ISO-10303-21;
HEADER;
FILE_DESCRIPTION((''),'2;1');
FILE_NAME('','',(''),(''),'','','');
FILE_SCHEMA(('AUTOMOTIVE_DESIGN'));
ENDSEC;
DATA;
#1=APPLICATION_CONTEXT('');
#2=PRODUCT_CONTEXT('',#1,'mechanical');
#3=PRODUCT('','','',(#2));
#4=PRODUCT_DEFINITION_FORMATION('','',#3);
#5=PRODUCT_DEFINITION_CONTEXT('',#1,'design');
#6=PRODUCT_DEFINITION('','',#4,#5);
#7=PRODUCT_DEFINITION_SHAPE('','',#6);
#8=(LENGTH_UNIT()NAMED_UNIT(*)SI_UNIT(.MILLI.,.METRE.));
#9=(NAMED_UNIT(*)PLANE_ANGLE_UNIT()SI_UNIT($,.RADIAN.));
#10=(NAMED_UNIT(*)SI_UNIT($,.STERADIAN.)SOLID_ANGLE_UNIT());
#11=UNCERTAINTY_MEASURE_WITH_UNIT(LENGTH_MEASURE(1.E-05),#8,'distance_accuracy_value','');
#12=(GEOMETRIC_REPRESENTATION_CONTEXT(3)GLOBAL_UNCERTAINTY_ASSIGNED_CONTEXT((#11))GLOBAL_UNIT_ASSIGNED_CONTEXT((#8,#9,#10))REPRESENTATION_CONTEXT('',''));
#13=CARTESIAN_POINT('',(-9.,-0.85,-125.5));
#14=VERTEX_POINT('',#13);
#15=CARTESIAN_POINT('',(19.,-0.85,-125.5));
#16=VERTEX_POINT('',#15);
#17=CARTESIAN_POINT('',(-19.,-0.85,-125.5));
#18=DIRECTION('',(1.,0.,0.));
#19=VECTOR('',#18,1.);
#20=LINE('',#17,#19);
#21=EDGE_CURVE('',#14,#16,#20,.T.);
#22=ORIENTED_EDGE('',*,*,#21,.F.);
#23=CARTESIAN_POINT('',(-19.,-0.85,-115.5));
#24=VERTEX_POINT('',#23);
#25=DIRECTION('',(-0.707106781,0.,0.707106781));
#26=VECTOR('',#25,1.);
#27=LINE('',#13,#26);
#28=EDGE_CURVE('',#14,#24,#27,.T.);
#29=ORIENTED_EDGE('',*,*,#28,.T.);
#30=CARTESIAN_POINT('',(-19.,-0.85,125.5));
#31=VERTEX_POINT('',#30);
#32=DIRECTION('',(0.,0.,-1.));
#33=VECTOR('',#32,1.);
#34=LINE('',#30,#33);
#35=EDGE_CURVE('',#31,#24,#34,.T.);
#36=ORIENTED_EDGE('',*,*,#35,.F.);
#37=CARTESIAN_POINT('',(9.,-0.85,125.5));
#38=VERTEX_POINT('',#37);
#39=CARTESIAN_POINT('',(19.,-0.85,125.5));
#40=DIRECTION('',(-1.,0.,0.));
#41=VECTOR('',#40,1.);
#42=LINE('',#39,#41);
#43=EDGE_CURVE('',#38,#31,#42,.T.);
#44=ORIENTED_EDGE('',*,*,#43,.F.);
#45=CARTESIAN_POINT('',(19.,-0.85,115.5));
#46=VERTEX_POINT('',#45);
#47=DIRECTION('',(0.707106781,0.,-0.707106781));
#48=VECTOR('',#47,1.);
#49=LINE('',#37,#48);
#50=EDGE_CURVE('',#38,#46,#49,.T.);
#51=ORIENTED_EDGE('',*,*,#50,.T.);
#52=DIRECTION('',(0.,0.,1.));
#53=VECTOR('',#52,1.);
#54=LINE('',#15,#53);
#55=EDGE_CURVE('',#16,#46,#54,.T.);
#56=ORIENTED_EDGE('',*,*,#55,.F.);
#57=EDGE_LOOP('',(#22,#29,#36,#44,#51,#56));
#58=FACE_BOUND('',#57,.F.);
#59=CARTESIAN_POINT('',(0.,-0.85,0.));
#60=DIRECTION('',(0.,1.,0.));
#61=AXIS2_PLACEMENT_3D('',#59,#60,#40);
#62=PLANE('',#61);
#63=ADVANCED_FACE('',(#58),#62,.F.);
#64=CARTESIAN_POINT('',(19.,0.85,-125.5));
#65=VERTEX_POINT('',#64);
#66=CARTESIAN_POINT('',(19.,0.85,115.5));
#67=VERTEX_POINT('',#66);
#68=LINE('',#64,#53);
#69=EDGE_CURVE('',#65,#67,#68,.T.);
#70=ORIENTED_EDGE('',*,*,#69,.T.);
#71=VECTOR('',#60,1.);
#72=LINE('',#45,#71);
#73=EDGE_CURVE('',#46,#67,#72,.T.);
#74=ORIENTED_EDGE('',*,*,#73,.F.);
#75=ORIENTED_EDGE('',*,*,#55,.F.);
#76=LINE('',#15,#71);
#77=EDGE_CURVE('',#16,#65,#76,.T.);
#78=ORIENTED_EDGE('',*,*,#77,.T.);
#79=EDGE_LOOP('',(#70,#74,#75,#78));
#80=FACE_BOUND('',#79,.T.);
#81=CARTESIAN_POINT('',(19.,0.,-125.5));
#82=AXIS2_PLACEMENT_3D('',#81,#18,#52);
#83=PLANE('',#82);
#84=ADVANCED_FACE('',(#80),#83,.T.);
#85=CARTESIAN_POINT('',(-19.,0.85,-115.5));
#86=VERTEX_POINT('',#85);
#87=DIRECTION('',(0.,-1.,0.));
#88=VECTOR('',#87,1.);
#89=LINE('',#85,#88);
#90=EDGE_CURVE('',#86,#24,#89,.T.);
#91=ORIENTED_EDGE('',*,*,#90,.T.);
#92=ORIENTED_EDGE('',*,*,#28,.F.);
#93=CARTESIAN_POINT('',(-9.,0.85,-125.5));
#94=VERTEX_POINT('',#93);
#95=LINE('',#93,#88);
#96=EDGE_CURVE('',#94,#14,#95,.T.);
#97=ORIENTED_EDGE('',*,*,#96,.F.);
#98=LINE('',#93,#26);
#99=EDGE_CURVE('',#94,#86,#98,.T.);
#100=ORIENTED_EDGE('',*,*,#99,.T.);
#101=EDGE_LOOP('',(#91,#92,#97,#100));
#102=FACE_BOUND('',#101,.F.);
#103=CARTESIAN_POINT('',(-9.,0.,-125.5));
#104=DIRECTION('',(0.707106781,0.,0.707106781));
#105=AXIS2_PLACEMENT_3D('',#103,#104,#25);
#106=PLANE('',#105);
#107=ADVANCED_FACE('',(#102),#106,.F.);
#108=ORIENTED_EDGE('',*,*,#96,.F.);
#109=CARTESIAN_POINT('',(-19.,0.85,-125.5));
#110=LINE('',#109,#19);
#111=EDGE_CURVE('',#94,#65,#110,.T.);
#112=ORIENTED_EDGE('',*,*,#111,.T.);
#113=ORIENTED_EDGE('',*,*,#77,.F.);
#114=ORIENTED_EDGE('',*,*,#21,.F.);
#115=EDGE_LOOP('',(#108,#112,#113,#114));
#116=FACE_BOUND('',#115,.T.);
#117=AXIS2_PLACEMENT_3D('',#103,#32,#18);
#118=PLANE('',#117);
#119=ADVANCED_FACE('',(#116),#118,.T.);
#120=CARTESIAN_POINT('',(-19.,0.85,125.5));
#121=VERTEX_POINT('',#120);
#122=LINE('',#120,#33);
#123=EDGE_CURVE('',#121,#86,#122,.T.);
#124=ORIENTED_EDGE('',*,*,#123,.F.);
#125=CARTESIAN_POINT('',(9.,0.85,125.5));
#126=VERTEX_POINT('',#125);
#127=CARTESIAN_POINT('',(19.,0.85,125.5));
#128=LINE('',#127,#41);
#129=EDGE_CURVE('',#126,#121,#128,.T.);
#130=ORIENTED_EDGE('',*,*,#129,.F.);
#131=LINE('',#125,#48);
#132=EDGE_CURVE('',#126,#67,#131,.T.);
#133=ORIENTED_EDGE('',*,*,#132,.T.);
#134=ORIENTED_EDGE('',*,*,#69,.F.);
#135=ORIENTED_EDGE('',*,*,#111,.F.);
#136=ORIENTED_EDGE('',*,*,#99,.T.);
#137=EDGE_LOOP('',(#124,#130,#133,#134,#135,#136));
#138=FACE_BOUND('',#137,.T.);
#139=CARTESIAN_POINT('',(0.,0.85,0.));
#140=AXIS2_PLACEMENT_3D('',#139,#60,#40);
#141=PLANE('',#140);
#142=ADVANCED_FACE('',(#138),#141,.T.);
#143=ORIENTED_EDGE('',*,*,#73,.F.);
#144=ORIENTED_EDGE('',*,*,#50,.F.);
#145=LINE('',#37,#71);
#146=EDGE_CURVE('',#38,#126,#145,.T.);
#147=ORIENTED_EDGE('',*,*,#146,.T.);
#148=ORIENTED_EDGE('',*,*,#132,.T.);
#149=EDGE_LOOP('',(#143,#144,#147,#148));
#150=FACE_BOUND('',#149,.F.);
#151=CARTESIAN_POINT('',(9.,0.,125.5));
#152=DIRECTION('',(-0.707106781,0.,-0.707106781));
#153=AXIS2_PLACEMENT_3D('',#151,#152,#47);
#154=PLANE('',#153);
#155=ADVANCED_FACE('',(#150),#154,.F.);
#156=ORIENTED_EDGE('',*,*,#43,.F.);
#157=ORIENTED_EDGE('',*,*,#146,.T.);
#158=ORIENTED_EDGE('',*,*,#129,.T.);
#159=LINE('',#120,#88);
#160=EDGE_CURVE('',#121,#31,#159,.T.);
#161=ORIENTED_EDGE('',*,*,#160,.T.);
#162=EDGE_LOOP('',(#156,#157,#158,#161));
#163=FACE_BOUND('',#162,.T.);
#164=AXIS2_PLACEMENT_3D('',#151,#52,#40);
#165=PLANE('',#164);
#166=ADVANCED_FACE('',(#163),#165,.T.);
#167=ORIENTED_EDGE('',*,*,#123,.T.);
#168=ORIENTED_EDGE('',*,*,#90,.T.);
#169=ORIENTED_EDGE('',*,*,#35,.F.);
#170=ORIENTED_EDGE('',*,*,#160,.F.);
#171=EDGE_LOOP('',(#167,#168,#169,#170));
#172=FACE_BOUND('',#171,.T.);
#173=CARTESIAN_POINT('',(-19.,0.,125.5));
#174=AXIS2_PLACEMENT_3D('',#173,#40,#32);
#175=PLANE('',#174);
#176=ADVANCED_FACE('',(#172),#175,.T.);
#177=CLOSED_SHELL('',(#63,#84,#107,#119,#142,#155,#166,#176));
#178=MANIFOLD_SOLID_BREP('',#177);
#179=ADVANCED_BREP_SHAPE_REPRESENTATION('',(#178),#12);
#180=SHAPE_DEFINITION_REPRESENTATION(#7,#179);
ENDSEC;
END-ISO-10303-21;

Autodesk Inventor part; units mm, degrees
ref_plane "YZ Plane" through (0, 0, 0) normal (1, 0, 0) x (0, 1, 0)
ref_plane "XZ Plane" through (0, 0, 0) normal (0, 1, 0) x (-1, 0, 0)
ref_plane "XY Plane" through (0, 0, 0) normal (0, 0, 1) x (1, 0, 0)
sketch "Sketch1" plane through (0, 0, 0) normal (0, 1, 0) x (-1, 0, 0)
  line L0 (-19, 125.5) -> (19, 125.5)
  line L1 (19, 125.5) -> (19, -125.5)
  line L2 (19, -125.5) -> (-19, -125.5)
  line L3 (-19, -125.5) -> (-19, 125.5)
  line L4 (-19, 125.5) -> (19, -125.5) construction
  line L5 (19, 125.5) -> (-19, -125.5) construction
  line L6 (-9, 125.5) -> (-19, 115.5)
  line L7 (9, -125.5) -> (19, -115.5)
  point P0 (0, 0)
  dimension "d0" = 38
  dimension "d1" = 251
  dimension "d2" = 10
  dimension "d3" = 10
extrude "Extrusion1" add sketch "Sketch1" along normal mid plane 1.7 contours L0 L1 L7 L2 L3 L6
equation "\"d3\" = d2"
properties part number "VPTrack" material "Paper"
